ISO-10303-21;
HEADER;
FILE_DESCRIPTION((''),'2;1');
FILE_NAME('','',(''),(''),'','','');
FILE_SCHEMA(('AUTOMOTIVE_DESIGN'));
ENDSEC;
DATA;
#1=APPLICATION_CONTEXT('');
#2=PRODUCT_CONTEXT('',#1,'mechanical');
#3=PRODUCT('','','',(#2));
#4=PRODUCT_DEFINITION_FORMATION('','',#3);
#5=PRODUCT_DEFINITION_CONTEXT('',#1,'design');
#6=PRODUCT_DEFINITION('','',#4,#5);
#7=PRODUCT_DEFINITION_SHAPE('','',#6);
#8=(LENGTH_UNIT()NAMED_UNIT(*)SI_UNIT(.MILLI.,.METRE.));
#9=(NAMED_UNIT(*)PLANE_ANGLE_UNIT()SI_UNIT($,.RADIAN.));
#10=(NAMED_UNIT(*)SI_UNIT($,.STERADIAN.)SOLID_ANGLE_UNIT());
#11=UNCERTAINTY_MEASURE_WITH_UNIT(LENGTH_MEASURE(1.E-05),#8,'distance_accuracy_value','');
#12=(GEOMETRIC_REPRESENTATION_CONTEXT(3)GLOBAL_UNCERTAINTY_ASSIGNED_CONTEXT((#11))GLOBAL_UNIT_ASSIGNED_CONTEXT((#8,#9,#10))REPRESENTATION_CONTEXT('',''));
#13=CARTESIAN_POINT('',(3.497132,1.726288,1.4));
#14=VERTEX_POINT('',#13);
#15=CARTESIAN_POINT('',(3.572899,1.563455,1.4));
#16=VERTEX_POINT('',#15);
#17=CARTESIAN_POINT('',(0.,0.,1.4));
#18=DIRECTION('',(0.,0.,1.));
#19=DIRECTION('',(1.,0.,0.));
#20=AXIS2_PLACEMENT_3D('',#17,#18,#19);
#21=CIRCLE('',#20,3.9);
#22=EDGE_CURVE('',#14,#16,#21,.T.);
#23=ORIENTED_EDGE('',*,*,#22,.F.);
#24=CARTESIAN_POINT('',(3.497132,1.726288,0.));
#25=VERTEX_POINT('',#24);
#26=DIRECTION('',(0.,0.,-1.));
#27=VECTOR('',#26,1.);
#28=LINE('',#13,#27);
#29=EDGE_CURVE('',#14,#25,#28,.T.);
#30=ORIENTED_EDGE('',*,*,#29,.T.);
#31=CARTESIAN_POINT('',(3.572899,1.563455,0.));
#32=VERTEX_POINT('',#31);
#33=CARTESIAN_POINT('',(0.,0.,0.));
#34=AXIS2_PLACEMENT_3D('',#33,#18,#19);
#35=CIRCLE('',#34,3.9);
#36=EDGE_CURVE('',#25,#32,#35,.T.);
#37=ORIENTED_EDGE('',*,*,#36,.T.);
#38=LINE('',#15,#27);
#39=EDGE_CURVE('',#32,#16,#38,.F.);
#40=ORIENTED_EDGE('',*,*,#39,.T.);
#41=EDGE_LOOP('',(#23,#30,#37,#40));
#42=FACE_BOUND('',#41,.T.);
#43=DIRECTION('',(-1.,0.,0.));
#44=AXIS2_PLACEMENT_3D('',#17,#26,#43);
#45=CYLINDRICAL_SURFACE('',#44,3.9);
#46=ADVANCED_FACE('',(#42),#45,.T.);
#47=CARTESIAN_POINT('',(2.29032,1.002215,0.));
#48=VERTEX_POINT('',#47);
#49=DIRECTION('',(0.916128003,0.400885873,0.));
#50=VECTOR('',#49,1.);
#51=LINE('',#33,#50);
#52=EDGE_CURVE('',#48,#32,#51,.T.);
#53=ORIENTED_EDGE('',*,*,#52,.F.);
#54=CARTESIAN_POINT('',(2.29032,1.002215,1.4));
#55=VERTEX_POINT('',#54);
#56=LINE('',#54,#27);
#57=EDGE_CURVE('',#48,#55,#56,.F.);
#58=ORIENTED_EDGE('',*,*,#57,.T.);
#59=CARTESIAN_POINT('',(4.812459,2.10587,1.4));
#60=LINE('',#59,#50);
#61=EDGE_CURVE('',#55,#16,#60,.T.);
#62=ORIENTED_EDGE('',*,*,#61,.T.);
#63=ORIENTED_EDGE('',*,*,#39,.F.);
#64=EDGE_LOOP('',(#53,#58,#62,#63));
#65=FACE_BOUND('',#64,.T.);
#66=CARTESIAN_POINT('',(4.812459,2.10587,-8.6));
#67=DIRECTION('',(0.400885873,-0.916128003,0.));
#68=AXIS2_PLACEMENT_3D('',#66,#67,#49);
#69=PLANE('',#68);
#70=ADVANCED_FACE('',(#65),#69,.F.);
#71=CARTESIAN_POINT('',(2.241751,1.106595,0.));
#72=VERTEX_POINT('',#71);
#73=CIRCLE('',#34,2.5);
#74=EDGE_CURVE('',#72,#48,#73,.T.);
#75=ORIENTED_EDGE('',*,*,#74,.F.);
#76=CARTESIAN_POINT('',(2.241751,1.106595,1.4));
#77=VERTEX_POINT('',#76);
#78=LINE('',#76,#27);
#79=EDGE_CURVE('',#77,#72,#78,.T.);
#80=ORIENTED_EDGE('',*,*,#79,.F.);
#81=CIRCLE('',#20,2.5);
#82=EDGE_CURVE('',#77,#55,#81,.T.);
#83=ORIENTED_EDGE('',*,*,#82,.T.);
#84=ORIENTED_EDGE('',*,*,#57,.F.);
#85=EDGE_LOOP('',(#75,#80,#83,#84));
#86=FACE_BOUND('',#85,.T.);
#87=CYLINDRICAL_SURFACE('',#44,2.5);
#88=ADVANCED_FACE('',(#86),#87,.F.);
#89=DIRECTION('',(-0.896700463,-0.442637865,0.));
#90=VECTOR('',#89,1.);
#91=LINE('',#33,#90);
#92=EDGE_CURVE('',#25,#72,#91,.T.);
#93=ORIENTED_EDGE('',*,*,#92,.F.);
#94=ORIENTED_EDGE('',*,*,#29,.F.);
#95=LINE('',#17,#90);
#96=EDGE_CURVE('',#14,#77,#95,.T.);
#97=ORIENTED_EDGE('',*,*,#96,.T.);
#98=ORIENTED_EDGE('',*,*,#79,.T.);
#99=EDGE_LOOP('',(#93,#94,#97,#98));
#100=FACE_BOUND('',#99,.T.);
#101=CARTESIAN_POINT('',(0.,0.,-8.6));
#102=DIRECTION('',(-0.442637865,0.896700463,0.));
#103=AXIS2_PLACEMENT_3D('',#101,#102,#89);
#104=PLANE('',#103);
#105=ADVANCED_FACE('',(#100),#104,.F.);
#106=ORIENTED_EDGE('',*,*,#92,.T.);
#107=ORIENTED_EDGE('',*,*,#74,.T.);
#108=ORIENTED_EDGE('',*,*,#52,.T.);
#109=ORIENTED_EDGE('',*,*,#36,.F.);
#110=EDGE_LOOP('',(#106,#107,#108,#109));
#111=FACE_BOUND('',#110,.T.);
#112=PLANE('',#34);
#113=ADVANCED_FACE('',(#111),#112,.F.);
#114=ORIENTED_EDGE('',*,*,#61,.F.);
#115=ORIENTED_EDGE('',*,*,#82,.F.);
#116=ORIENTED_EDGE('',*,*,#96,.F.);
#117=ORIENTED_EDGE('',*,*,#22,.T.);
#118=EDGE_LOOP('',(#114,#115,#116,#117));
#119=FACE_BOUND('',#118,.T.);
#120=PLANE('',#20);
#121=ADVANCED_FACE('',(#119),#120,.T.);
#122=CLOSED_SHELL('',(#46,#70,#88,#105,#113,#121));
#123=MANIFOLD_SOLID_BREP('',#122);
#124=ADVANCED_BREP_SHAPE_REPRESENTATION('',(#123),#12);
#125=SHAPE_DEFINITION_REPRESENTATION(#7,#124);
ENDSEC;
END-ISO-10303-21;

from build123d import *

# Parameters (mm, degrees)
SKETCH_1_R          = 3.9
SKETCH_1_R_2        = 2.5
EXTRUDE_1_DEPTH     = 1.4
CUT_EXTRUDE_1_DEPTH = 10


with BuildPart() as part:
    # 草图1 → 凸台-拉伸1 (new body)
    with BuildSketch(Plane.XY):
        Circle(SKETCH_1_R)
        Circle(SKETCH_1_R_2, mode=Mode.SUBTRACT)
    extrude(amount=EXTRUDE_1_DEPTH)

    # 草图2 → 切除-拉伸1 (cut)
    with BuildSketch(Plane.XY.offset(1.4)):
        Polygon((0, 0), (4.812459265, 2.375572201), (4.812459265, 2.105870497), align=None)
    extrude(amount=-CUT_EXTRUDE_1_DEPTH, mode=Mode.SUBTRACT)


solid = part.part
